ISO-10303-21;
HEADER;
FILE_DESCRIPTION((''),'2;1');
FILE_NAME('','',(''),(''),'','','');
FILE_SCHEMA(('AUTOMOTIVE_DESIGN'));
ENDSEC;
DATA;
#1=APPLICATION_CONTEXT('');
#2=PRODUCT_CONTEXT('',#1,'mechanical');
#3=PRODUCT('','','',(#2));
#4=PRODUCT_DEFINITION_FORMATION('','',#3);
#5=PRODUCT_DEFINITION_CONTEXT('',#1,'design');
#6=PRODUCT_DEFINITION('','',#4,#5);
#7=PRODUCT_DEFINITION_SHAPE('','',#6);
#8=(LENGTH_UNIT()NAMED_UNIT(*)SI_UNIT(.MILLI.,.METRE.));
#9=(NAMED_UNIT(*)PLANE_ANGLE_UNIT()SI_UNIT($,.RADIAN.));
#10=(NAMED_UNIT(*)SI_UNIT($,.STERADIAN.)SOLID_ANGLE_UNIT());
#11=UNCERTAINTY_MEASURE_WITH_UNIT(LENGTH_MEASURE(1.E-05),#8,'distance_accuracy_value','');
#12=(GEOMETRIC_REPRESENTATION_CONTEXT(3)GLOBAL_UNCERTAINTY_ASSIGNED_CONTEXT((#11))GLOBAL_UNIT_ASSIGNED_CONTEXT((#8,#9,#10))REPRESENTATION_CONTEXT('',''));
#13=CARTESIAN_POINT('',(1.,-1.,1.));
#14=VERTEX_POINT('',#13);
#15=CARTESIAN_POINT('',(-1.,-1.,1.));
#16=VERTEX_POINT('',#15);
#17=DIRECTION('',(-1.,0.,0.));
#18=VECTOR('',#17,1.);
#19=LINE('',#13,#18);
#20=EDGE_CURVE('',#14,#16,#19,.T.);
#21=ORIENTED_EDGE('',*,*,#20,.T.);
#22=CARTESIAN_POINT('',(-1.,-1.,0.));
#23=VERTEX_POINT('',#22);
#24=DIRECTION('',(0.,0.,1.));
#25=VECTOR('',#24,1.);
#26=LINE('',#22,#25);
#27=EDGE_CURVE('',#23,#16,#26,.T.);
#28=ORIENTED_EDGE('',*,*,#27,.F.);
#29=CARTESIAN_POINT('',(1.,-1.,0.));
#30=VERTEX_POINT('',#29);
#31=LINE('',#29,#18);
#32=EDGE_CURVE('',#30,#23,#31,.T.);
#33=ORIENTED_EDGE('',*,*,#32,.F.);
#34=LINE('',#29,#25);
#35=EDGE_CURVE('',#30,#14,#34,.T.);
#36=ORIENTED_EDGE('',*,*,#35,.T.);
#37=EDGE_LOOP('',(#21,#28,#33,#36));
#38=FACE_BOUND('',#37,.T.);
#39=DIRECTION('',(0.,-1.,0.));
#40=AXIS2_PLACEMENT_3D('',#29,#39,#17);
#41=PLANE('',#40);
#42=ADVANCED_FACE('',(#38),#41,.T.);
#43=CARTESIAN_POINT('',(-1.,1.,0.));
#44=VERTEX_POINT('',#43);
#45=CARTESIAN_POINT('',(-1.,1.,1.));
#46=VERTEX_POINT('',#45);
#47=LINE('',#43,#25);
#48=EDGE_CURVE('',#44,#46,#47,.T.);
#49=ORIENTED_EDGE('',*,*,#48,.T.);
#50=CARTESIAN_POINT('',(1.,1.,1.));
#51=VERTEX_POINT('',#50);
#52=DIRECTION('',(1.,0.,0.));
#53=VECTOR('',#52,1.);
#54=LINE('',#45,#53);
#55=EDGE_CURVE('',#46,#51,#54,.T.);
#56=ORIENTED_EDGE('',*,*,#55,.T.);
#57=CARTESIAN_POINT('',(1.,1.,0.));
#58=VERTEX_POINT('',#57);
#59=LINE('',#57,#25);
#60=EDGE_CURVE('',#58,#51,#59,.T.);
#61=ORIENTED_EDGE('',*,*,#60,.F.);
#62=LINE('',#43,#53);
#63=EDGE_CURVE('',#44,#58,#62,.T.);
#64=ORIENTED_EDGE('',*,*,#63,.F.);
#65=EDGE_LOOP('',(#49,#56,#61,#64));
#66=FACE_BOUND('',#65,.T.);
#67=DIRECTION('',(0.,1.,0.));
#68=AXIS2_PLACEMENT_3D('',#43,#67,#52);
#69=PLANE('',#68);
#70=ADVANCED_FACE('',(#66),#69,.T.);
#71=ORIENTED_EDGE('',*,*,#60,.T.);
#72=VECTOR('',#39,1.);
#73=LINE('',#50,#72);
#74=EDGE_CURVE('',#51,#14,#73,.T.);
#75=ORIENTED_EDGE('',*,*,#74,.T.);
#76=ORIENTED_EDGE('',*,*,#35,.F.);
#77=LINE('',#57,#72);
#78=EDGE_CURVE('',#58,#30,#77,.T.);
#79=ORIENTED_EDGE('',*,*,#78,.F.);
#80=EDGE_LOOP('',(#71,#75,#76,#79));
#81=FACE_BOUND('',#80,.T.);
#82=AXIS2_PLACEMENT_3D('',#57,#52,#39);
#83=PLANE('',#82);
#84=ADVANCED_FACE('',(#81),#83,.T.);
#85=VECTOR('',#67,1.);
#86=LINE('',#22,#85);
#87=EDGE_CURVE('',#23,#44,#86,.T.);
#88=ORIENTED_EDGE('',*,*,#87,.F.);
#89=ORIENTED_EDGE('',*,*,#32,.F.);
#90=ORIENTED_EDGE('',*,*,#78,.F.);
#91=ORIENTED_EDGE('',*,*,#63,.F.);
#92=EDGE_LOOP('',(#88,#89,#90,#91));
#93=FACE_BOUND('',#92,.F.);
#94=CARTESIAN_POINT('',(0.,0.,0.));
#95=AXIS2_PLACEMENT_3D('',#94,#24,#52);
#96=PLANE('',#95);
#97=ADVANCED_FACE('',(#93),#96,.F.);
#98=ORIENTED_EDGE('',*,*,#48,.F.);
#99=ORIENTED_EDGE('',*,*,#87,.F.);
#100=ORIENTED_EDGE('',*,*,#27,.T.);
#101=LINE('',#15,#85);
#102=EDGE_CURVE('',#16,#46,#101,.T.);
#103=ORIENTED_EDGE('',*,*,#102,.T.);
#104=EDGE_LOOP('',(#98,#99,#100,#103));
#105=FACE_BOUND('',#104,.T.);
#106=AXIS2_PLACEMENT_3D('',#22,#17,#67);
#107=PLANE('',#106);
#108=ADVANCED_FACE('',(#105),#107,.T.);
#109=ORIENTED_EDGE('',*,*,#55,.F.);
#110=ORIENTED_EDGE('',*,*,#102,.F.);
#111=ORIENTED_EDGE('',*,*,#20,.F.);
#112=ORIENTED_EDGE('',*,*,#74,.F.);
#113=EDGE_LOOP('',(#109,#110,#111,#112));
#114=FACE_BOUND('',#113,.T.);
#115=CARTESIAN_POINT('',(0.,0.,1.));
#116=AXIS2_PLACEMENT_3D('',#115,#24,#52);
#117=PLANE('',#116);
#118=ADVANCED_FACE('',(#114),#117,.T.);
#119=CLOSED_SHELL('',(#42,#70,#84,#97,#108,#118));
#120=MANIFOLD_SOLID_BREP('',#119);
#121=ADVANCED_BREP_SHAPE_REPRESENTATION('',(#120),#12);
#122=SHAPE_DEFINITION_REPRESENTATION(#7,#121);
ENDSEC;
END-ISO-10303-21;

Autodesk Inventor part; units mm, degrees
ref_plane "YZ Plane" through (0, 0, 0) normal (1, 0, 0) x (0, 1, 0)
ref_plane "XZ Plane" through (0, 0, 0) normal (0, 1, 0) x (-1, 0, 0)
ref_plane "XY Plane" through (0, 0, 0) normal (0, 0, 1) x (1, 0, 0)
sketch "PAD_03X_04, TEST-POINT3X4_59" plane through (0, 0, 0) normal (0, 0, 1) x (1, 0, 0)
  line L0 (1, -1) -> (-1, -1)
  line L1 (-1, -1) -> (-1, 1)
  line L2 (-1, 1) -> (1, 1)
  line L3 (1, 1) -> (1, -1)
extrude "Extrusion1" add sketch "PAD_03X_04, TEST-POINT3X4_59" along normal blind 1
properties part number "TEST-POINT3X4"
